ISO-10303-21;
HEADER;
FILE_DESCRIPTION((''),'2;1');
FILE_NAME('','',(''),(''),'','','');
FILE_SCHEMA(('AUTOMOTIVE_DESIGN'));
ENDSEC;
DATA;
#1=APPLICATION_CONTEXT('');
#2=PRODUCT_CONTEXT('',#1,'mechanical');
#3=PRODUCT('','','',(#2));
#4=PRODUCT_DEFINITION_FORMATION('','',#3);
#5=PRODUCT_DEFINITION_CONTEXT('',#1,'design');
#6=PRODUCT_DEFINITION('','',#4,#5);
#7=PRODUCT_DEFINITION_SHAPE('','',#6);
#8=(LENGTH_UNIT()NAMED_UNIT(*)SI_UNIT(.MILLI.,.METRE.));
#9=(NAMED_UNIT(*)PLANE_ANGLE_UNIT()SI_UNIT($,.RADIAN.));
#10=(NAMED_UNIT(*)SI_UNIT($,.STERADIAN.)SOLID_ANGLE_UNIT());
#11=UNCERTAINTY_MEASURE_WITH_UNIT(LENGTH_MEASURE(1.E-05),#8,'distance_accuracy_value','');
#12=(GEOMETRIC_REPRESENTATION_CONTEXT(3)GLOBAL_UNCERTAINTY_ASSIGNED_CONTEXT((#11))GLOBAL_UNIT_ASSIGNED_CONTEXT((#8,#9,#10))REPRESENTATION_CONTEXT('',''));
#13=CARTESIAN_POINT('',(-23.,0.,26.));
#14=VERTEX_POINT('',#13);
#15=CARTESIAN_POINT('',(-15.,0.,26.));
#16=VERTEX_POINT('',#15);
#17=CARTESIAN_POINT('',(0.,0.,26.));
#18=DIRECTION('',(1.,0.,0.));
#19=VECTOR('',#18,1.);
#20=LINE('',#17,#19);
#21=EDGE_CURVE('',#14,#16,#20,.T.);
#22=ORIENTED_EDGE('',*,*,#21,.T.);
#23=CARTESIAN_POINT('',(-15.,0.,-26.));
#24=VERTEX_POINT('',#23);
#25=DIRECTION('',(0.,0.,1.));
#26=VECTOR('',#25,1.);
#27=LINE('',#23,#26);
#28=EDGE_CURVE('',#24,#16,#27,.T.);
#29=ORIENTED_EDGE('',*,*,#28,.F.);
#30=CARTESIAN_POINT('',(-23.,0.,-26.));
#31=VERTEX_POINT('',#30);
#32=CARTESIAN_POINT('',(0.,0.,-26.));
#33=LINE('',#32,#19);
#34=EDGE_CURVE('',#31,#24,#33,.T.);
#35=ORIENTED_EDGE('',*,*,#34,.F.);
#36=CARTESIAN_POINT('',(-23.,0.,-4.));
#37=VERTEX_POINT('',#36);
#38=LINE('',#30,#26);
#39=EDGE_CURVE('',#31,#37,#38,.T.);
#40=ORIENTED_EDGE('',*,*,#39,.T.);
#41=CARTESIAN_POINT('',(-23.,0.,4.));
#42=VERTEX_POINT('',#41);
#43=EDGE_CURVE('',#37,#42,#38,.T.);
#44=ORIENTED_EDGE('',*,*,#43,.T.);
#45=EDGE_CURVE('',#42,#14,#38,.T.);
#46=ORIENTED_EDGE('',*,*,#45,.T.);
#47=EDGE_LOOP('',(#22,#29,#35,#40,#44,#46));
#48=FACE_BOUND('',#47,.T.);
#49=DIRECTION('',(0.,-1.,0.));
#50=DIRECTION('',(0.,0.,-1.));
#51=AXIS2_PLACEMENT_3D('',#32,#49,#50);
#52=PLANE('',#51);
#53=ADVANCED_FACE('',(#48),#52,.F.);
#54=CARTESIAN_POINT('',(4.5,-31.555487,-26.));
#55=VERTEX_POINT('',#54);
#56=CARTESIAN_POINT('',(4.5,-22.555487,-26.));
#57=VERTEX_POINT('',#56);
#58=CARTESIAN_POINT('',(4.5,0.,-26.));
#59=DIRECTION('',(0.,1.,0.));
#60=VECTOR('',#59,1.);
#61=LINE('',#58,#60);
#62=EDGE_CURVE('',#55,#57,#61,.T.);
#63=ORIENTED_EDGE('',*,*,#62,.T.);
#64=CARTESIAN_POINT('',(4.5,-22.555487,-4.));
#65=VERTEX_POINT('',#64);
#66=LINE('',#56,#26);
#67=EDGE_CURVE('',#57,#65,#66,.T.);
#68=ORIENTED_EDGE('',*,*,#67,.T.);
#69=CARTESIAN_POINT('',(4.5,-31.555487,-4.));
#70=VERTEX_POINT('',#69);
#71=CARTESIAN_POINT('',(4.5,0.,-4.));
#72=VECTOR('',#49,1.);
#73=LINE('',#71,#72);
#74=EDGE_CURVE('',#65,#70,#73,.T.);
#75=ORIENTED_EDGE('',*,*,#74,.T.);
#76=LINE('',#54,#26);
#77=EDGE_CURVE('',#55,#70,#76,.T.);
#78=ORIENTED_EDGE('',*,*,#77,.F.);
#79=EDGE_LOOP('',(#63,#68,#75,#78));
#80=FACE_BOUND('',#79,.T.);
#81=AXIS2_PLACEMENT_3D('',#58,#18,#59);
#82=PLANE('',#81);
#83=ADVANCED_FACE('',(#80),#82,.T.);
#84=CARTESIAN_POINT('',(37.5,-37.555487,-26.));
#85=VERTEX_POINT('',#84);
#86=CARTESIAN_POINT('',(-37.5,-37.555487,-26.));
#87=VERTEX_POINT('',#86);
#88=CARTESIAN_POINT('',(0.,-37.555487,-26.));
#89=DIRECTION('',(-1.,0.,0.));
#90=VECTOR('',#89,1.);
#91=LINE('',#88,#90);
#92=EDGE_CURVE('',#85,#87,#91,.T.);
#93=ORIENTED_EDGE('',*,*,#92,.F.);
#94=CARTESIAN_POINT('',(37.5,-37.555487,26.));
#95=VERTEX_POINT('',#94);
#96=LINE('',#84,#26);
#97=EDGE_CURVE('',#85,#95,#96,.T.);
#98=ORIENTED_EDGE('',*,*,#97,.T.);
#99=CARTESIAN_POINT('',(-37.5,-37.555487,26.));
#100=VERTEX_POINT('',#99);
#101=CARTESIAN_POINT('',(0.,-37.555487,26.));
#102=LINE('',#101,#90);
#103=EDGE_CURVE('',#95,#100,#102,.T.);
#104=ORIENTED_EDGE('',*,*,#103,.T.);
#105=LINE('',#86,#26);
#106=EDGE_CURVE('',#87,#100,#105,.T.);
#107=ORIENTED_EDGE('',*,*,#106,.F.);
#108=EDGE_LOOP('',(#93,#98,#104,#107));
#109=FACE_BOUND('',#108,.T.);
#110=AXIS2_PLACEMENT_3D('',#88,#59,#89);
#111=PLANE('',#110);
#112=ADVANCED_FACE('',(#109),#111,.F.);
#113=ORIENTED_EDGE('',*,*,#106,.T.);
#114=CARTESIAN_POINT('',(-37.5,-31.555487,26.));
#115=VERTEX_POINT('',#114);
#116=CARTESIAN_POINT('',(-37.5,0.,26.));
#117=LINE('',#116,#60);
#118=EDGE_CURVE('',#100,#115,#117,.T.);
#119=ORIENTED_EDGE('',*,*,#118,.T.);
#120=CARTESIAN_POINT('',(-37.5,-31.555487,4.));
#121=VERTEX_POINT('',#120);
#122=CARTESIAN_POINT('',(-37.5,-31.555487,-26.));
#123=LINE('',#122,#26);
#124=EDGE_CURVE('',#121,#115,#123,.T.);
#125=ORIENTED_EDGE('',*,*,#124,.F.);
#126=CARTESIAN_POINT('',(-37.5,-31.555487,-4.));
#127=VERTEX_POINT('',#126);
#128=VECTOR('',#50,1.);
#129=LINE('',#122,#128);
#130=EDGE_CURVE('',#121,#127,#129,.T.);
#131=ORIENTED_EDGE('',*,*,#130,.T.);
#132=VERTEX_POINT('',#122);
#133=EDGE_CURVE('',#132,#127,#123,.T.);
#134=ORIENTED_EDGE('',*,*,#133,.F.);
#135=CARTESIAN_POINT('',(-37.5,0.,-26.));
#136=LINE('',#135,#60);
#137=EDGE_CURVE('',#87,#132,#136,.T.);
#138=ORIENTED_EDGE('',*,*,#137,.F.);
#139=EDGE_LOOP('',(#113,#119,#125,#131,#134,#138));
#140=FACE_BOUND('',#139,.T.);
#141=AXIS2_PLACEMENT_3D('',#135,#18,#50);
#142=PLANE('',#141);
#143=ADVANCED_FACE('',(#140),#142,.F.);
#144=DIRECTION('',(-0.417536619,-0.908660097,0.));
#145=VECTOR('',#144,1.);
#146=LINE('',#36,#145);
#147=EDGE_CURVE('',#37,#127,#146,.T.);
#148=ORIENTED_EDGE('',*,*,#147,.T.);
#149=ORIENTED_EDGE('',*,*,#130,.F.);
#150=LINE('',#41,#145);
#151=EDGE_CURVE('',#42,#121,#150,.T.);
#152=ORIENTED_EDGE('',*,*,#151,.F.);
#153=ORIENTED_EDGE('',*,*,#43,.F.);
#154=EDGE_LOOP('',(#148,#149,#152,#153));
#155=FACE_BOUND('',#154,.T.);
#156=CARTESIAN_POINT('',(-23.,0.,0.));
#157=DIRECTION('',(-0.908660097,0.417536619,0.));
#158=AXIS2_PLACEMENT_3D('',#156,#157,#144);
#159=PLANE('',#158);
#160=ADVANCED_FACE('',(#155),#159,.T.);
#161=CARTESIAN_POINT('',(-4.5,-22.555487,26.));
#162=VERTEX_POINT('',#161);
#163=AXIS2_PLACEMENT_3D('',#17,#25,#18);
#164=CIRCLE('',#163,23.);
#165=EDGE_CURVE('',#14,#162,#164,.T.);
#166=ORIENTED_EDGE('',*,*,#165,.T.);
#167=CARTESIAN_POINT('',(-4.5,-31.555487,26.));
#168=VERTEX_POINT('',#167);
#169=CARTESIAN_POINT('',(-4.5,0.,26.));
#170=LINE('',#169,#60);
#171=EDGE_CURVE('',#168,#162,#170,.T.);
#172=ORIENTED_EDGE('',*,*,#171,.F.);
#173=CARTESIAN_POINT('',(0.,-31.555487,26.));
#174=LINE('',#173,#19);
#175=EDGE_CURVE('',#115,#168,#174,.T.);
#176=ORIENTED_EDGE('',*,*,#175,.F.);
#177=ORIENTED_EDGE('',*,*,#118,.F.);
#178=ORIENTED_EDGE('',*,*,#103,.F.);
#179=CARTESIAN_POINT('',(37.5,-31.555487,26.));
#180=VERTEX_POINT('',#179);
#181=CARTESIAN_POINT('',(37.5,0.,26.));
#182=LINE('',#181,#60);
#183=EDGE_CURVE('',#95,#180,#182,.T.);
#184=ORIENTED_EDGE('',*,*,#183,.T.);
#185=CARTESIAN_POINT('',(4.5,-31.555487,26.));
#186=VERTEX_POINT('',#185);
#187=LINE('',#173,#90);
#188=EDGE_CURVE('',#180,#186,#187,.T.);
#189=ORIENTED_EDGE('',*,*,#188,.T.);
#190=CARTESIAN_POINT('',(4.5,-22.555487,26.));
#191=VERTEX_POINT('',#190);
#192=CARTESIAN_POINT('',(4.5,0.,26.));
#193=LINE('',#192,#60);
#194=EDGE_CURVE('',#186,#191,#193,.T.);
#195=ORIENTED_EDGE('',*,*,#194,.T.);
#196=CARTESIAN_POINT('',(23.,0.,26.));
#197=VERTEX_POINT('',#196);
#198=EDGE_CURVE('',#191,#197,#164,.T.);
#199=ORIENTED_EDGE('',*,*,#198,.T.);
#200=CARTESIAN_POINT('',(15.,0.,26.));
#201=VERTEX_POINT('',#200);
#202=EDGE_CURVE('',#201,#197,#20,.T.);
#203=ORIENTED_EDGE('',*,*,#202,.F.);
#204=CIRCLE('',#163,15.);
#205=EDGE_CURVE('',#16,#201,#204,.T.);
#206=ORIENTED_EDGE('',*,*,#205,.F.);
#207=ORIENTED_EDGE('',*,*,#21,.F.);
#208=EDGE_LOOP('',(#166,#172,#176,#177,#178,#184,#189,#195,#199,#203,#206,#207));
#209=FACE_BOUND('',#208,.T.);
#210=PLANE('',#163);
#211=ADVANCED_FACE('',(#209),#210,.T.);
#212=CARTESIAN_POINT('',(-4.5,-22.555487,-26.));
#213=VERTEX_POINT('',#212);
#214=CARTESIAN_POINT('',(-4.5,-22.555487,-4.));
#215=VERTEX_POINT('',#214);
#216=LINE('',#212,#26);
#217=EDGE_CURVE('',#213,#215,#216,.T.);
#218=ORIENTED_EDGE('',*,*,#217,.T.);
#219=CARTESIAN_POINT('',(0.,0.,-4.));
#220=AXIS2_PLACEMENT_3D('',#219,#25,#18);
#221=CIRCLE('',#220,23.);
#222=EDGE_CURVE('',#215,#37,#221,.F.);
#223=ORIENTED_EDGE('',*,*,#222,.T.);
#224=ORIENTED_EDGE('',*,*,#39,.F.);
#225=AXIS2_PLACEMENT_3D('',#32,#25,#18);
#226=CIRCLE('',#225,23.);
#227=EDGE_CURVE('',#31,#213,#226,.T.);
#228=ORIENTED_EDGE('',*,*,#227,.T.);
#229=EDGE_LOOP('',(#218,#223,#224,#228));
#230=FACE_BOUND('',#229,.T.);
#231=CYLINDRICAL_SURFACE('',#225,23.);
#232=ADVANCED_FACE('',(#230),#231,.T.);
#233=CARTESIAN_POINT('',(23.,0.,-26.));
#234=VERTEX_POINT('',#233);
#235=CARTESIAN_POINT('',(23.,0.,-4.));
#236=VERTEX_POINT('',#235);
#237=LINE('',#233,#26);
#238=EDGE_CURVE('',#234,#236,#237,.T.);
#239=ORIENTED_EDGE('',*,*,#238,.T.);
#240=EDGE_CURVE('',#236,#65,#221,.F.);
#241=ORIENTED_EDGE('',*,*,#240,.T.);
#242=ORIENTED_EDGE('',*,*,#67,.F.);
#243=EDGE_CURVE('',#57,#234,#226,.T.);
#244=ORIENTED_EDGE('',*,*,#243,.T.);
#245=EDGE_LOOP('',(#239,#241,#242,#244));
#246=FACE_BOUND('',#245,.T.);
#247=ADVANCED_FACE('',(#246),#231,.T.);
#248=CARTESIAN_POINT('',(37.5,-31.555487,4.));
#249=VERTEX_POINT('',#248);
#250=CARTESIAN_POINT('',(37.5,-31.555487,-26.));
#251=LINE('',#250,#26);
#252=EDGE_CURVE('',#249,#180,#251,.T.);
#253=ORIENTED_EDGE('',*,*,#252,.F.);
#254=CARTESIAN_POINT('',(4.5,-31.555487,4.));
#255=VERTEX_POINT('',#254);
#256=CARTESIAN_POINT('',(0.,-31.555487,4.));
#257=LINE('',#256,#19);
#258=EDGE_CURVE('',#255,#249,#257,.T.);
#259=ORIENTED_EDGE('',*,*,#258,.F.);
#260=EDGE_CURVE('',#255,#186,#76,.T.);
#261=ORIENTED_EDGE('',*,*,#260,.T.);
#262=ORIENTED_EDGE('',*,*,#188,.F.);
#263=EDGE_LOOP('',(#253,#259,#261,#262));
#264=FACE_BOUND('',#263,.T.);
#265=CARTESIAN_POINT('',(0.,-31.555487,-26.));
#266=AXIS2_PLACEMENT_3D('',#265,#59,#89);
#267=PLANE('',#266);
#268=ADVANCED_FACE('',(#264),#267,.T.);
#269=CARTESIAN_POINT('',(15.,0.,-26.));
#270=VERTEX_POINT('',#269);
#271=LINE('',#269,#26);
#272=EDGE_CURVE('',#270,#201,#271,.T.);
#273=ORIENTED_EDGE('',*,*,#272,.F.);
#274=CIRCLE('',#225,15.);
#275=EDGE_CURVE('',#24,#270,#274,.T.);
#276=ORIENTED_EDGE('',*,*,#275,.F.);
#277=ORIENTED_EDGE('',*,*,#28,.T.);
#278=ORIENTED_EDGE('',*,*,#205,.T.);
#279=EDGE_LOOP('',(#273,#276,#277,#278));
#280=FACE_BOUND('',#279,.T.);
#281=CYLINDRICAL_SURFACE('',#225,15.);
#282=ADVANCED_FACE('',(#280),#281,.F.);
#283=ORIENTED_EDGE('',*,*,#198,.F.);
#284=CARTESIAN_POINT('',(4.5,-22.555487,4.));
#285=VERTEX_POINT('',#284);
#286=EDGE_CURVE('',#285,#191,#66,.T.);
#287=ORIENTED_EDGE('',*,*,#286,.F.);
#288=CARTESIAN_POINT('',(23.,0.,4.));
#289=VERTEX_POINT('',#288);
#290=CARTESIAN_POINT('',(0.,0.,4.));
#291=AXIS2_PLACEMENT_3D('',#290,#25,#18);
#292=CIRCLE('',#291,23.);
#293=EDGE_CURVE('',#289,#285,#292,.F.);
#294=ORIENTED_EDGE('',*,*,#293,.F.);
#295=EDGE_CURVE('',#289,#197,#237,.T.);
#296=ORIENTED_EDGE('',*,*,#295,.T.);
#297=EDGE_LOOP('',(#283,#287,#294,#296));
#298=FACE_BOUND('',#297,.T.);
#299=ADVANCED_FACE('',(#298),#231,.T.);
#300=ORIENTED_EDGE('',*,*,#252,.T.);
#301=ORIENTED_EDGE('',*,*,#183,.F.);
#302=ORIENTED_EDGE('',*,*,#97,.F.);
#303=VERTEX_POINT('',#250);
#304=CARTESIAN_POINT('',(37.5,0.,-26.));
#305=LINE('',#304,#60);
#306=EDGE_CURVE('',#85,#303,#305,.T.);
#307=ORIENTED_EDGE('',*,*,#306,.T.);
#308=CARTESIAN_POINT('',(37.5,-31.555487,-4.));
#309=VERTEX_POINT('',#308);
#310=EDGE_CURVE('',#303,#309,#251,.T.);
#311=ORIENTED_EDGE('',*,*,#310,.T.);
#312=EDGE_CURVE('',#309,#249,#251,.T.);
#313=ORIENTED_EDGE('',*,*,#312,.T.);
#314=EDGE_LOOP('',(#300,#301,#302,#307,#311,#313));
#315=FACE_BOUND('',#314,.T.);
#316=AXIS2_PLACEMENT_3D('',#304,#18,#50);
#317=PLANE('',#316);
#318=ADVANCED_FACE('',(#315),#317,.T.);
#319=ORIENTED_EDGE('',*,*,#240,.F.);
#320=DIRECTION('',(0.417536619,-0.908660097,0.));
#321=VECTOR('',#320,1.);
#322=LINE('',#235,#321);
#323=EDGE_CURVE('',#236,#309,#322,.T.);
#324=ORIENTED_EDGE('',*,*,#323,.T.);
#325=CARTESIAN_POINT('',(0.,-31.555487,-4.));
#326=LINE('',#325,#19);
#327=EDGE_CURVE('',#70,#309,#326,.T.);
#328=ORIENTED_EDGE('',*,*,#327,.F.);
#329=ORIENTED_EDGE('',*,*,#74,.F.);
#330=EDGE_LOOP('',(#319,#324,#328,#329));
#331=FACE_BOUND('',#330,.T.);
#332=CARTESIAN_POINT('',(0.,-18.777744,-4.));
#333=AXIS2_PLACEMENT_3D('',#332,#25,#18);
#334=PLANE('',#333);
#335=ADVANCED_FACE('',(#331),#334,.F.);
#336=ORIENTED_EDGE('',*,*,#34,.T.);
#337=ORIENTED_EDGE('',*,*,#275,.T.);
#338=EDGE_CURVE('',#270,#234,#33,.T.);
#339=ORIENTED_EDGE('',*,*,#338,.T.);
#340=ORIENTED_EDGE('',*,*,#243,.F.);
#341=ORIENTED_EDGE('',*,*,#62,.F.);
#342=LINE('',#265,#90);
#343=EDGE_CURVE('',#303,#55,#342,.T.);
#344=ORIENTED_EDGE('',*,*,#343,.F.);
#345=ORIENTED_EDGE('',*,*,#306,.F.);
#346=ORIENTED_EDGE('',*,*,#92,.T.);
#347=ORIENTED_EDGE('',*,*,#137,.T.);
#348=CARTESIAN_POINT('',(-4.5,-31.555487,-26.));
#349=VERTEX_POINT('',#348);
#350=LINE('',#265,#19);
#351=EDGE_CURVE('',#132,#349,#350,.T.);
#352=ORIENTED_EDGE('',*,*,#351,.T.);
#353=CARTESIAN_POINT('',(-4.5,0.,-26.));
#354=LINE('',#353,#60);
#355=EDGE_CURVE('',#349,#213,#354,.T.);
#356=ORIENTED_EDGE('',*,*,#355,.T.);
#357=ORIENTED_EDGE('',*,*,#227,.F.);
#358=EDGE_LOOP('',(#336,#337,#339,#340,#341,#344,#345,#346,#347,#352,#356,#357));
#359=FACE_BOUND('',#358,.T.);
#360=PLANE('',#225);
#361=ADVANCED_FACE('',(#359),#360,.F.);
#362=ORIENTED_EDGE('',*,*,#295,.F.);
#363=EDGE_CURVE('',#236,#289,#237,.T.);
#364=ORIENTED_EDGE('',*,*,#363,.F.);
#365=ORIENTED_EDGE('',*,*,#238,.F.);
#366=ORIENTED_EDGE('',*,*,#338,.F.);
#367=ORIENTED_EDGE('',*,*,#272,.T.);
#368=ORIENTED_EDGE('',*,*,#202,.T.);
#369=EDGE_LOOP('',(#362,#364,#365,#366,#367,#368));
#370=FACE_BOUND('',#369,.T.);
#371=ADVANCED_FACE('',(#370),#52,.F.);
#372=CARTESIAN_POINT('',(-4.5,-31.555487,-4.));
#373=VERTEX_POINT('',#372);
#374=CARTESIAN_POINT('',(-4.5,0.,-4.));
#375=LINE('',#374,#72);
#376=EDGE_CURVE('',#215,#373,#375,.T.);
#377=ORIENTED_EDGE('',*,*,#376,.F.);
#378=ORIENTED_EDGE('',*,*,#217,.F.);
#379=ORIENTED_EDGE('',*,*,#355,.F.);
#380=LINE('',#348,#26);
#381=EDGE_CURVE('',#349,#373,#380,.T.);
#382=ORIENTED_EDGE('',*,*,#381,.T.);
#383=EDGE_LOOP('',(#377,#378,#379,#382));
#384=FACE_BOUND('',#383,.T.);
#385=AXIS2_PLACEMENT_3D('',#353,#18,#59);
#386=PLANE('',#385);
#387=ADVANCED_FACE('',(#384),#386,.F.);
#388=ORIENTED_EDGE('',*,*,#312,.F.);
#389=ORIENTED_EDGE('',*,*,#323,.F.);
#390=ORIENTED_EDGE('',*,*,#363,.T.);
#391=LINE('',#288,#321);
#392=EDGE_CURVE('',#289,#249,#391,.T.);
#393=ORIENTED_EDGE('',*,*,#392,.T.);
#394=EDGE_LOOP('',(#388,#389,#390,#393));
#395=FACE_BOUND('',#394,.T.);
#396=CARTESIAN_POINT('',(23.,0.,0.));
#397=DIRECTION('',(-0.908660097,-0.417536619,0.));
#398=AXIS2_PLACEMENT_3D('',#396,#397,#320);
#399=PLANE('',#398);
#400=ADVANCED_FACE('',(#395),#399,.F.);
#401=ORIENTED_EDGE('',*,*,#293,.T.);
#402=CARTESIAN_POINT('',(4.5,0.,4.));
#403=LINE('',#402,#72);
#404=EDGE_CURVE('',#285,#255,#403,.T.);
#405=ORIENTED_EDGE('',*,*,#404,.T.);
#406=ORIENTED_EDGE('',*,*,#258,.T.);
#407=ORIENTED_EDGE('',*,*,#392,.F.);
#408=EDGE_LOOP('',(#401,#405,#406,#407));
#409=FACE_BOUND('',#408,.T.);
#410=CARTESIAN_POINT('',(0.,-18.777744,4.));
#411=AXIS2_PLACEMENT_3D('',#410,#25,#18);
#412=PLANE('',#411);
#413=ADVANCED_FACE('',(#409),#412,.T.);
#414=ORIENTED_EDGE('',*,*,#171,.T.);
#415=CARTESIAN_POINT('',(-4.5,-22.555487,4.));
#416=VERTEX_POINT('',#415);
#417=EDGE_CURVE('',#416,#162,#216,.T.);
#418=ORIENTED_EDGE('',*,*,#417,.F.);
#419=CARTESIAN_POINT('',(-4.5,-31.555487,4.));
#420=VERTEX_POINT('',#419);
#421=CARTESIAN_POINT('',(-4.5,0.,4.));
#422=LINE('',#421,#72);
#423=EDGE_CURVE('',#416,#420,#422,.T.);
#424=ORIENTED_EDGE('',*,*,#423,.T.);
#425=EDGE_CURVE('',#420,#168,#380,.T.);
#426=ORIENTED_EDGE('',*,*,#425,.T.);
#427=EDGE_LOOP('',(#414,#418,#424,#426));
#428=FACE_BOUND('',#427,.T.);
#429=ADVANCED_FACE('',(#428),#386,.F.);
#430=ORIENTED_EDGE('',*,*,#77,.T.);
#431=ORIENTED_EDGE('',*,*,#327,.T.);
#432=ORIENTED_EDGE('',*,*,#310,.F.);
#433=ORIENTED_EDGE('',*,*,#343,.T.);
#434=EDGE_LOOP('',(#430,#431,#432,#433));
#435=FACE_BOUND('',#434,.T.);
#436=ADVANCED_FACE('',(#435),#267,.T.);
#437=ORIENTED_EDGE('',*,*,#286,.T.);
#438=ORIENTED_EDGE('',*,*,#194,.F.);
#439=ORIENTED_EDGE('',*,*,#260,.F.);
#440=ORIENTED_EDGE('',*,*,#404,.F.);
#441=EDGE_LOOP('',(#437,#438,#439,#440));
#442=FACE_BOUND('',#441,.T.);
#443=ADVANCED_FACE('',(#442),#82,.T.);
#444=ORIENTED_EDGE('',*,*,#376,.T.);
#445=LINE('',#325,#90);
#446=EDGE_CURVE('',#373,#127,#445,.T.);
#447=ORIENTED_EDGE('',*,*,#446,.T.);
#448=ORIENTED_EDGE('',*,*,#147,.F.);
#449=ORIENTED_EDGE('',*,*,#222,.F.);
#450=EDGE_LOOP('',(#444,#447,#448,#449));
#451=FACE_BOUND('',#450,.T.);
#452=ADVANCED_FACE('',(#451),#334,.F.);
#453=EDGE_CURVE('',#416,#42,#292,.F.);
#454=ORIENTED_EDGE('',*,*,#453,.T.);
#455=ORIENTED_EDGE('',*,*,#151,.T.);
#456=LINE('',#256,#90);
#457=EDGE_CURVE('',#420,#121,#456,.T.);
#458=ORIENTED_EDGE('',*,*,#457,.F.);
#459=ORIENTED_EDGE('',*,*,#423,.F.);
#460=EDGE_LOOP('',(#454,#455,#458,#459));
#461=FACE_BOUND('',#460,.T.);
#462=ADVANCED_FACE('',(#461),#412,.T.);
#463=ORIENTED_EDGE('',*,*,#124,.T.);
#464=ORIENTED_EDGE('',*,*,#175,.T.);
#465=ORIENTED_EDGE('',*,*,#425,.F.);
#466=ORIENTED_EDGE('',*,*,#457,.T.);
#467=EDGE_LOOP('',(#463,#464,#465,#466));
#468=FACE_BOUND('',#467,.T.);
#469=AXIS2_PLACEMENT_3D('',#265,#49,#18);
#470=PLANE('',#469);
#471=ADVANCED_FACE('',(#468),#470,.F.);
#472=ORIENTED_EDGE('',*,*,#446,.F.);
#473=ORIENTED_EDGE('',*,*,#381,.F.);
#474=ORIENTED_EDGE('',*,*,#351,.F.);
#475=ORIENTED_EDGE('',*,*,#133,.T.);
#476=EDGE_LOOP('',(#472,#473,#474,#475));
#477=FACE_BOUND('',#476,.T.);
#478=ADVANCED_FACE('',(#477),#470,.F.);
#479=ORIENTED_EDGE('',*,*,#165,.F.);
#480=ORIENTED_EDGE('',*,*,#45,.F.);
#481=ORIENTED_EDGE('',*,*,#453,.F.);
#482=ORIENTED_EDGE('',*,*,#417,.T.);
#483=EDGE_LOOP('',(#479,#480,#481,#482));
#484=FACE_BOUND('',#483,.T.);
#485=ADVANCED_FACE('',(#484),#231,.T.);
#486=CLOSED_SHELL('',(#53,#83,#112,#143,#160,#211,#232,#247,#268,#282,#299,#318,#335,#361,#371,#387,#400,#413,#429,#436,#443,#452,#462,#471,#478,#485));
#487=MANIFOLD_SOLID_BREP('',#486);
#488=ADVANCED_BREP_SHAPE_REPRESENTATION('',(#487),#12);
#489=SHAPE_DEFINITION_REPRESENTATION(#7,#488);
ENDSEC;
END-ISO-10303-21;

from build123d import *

# Parameters (mm, degrees)
BOSS_EXTRUDE1_DEPTH = 26
RIB1_REACH          = 61.099
SKETCH2_WALL_W      = 154.925032954
SKETCH2_WALL_H      = 8


with BuildPart() as part:
    # Sketch1 → Boss-Extrude1 (new, symmetric)
    with BuildSketch(Plane.XY):
        with BuildLine():
            Line((-37.5, -37.555487137), (0, -37.555487137))
            Line((0, -37.555487137), (0, -15))
            ThreePointArc((0, -15), (-10.606601718, -10.606601718), (-15, 0))
            Line((-15, 0), (-23, 0))
            ThreePointArc((-23, 0), (-17.783419244, -14.585952146), (-4.5, -22.555487137))
            Line((-4.5, -22.555487137), (-4.5, -31.555487137))
            Line((-4.5, -31.555487137), (-37.5, -31.555487137))
            Line((-37.5, -31.555487137), (-37.5, -37.555487137))
        make_face()
        with BuildLine():
            Line((0, -37.555487137), (37.5, -37.555487137))
            Line((37.5, -37.555487137), (37.5, -31.555487137))
            Line((37.5, -31.555487137), (4.5, -31.555487137))
            Line((4.5, -31.555487137), (4.5, -22.555487137))
            ThreePointArc((4.5, -22.555487137), (17.783419244, -14.585952146), (23, 0))
            Line((23, 0), (15, 0))
            ThreePointArc((15, 0), (10.606601718, -10.606601718), (0, -15))
            Line((0, -15), (0, -37.555487137))
        make_face()
    extrude(amount=BOSS_EXTRUDE1_DEPTH, both=True)

    # Sketch2 wall → Rib1 (add, up to next)
    with BuildSketch(Plane(origin=(30.25, -15.777743569, 0), x_dir=(0.417536618888, -0.908660097004, 0), z_dir=(0.908660097004, 0.417536618888, 0)), mode=Mode.PRIVATE) as rib1_sk1:
        Rectangle(SKETCH2_WALL_W, SKETCH2_WALL_H)
    rib1_tool1 = extrude(rib1_sk1.sketch, amount=-RIB1_REACH, mode=Mode.PRIVATE) - part.part
    rib1 = rib1_tool1.solids().sort_by_distance((30.25, -15.777743569, 0))[0]
    add(rib1)

    # Mirror1: Rib1 across plane
    add(rib1.mirror(Plane(origin=(0, 0, 0), x_dir=(0, 0, 1), z_dir=(1, 0, 0))))


solid = part.part
